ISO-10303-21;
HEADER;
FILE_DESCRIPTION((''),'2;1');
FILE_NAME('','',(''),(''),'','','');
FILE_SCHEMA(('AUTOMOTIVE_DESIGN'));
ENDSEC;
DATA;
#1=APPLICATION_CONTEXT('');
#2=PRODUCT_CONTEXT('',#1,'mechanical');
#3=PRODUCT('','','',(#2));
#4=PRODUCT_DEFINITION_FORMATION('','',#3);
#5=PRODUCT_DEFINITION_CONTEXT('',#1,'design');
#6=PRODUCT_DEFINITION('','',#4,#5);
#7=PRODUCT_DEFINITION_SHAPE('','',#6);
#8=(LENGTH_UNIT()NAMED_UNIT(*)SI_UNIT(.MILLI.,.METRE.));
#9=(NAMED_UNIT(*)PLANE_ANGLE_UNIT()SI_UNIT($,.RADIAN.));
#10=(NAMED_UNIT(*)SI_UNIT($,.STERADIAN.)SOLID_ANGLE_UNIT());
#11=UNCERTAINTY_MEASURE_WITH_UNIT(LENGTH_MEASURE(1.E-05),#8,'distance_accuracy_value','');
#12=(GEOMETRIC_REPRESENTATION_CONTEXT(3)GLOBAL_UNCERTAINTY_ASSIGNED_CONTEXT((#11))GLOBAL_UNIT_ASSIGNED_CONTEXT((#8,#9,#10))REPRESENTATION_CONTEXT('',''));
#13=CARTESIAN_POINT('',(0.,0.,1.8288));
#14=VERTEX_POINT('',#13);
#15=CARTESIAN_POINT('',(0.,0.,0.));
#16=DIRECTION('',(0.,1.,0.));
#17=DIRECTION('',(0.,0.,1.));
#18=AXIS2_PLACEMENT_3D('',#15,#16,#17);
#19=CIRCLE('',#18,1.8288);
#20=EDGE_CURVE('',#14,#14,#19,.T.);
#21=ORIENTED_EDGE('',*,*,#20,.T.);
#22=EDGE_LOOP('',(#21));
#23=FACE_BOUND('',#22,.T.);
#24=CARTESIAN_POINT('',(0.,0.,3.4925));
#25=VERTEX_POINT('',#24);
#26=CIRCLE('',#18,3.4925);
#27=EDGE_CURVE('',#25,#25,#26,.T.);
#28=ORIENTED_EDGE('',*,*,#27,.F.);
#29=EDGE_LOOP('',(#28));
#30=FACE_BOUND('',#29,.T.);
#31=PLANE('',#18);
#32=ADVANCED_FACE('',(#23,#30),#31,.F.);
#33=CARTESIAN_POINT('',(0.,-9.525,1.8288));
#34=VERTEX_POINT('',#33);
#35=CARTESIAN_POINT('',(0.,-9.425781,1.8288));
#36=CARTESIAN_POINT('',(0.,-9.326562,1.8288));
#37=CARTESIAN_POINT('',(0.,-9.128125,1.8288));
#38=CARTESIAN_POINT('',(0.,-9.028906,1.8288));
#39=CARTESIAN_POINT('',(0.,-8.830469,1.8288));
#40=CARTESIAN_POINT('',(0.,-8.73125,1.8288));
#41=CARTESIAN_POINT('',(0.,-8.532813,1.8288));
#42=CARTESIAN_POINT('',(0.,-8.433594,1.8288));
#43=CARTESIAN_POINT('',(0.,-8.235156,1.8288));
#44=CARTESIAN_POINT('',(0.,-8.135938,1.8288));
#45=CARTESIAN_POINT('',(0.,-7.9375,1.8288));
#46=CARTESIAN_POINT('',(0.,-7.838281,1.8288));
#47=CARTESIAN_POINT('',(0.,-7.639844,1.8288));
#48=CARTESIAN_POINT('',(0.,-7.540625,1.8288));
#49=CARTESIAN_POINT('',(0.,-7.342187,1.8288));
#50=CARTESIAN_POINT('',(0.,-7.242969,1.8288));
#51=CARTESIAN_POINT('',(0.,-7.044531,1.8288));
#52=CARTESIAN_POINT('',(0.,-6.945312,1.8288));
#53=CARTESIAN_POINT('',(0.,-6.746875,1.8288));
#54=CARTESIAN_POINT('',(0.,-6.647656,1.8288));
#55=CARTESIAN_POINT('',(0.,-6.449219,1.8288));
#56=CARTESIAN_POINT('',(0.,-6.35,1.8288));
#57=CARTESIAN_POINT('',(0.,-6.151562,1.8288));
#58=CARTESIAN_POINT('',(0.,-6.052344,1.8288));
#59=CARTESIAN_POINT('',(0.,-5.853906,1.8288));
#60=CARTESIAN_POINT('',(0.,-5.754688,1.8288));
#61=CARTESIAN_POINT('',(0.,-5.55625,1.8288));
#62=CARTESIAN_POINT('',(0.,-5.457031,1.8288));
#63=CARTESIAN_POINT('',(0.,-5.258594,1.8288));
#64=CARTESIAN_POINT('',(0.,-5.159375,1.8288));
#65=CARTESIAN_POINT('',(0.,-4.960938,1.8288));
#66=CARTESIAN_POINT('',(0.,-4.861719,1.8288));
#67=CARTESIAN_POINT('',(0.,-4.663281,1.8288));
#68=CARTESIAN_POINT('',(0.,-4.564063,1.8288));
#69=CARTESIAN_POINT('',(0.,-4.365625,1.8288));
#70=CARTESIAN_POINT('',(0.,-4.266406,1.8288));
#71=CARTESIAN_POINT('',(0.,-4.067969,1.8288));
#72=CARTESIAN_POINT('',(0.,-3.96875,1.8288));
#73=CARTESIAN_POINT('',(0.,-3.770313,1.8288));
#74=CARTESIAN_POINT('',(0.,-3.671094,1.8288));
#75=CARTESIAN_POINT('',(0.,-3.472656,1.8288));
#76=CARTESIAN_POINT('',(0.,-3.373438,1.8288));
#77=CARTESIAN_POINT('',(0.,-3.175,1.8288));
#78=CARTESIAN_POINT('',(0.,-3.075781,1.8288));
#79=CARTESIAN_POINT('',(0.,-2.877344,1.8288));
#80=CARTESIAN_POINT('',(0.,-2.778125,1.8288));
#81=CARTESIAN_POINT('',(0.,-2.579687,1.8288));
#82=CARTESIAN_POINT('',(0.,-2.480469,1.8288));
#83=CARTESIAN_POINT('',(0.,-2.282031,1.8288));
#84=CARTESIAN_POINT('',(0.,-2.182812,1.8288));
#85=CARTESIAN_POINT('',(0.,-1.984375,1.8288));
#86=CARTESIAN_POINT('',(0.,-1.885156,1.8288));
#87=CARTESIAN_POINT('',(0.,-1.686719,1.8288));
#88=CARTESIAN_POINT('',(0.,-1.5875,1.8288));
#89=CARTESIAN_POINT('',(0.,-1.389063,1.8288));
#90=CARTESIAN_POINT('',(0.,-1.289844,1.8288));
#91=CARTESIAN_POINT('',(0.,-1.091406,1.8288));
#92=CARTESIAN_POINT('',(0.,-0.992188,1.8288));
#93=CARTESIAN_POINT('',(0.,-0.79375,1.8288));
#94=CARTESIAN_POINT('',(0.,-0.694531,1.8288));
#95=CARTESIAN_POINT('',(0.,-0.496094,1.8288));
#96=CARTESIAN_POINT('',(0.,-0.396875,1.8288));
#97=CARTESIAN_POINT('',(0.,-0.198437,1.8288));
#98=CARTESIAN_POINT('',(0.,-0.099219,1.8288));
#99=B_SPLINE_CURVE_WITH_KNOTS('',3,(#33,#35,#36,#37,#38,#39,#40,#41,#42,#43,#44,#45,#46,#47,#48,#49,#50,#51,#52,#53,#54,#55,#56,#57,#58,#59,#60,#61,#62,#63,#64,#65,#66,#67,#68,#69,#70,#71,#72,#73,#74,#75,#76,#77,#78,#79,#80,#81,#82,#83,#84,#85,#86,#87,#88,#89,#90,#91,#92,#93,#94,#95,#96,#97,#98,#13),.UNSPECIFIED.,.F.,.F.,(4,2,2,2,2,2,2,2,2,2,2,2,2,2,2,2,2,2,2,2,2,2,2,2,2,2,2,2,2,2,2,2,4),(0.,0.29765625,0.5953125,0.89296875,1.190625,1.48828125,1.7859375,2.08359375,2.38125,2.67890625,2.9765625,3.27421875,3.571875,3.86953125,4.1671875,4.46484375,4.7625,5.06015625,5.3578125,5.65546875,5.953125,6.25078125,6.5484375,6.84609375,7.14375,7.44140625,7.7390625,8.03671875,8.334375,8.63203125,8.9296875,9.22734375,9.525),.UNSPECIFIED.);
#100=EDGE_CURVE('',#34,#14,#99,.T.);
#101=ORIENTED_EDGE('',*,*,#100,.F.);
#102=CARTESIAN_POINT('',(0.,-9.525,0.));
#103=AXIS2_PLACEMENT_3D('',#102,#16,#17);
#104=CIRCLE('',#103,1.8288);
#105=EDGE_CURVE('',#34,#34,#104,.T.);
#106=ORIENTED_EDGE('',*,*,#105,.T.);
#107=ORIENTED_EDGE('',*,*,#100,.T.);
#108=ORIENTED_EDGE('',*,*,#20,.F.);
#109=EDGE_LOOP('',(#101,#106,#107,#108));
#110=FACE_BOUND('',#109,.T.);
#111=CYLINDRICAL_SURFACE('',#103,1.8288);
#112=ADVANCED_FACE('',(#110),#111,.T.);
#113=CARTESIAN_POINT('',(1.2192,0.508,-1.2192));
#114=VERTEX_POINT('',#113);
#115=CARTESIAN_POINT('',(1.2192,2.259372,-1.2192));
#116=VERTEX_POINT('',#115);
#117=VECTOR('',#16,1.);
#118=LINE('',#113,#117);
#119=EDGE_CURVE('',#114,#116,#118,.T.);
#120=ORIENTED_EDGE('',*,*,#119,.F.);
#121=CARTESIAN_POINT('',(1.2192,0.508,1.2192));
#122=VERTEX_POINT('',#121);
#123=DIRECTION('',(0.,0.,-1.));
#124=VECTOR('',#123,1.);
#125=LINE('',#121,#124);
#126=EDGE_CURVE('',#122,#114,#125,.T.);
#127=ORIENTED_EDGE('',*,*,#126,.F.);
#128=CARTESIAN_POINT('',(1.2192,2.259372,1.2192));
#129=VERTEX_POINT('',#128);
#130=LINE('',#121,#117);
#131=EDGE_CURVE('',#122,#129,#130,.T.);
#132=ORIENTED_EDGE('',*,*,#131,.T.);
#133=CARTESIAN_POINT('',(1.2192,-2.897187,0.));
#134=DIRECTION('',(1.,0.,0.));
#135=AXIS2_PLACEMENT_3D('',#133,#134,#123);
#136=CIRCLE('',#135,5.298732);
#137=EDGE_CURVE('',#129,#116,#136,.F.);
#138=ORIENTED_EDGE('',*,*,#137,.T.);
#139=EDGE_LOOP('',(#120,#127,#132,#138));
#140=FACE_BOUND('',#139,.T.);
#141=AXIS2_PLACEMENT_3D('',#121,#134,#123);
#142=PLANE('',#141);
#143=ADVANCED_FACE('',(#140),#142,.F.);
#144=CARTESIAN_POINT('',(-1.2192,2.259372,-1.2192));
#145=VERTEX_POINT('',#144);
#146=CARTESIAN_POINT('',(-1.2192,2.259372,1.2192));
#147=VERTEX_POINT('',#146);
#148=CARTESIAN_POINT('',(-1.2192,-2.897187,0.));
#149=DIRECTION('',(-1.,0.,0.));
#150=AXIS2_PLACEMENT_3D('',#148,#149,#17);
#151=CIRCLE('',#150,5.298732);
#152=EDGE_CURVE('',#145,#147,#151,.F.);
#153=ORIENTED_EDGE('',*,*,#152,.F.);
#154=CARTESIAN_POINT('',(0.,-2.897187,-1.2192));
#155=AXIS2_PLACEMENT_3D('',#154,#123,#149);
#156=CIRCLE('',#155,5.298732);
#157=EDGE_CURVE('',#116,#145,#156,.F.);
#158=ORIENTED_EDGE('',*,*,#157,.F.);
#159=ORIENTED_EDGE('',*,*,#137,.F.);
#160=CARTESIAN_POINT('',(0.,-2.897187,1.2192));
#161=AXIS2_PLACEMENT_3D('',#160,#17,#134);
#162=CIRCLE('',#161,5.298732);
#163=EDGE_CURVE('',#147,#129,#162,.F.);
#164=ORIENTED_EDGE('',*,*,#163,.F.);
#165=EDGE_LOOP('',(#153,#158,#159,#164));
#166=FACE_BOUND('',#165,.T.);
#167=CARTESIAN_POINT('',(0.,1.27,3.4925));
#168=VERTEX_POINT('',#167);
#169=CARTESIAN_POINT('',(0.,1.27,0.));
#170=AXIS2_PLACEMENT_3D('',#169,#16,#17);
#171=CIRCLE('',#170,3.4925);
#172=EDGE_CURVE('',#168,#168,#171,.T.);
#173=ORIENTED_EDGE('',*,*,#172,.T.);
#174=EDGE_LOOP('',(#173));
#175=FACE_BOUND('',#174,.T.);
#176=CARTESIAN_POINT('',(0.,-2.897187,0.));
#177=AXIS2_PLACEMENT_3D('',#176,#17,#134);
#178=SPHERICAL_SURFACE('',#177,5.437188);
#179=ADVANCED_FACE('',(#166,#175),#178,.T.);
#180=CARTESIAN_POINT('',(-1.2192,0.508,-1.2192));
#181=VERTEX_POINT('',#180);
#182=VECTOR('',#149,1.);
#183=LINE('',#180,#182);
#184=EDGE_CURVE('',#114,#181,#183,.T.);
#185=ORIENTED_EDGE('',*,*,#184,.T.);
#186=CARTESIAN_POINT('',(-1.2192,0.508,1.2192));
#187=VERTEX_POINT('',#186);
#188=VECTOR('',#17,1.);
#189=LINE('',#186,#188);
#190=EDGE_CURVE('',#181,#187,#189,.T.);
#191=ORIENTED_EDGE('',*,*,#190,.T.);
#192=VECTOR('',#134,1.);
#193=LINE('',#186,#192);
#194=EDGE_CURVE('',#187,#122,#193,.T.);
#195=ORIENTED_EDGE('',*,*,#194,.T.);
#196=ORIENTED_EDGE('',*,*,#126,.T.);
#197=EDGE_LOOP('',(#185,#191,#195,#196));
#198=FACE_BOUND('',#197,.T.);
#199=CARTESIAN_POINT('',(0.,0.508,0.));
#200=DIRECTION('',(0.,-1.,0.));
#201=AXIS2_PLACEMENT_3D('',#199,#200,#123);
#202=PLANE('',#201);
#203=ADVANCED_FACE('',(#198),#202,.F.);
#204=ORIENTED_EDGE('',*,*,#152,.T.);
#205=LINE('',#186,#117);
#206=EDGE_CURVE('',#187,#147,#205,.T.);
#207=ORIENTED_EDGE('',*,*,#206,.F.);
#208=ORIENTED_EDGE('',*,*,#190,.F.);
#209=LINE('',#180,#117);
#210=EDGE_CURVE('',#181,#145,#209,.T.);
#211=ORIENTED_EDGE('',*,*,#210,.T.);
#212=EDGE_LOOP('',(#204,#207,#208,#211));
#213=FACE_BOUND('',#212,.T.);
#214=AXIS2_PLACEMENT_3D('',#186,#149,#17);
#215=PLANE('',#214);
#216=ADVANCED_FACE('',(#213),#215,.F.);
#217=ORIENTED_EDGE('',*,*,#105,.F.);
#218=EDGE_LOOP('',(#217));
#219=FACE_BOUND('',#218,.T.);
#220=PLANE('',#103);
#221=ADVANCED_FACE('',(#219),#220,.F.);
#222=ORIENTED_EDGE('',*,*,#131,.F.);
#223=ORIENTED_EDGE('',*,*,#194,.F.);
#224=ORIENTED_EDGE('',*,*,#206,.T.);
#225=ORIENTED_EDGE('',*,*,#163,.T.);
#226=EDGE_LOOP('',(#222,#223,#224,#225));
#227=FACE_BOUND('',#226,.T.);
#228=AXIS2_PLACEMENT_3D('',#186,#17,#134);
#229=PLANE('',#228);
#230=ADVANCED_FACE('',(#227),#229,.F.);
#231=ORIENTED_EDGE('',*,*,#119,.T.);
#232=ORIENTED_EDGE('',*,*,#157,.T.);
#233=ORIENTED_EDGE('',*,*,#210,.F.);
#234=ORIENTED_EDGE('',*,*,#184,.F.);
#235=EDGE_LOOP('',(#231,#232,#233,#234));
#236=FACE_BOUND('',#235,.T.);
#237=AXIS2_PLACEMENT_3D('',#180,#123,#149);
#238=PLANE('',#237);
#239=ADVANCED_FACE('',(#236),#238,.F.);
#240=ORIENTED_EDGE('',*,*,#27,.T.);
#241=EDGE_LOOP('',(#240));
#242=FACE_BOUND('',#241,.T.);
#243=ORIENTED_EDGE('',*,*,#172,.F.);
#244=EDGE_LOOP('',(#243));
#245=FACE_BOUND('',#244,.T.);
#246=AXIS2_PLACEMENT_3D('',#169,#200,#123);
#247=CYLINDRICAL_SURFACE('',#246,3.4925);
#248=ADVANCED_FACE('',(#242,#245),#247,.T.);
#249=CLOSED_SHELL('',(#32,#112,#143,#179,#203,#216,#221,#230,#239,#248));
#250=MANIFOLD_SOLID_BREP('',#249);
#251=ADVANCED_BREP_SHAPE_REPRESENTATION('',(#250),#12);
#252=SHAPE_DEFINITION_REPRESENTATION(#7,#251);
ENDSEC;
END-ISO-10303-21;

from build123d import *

# Parameters (mm, degrees)
SKETCH1_R           = 1.8288
BOSS_EXTRUDE1_DEPTH = 9.525
SKETCH2_R           = 3.4925
BOSS_EXTRUDE2_DEPTH = 1.27
DOME1_FACE_RADIUS   = 3.4925
DOME1_HEIGHT        = 1.27
SKETCH3_W           = 2.4384
SKETCH3_H           = 2.4384
CUT_EXTRUDE1_DEPTH  = 2.032


with BuildPart() as part:
    # Sketch1 → Boss-Extrude1 (new body)
    with BuildSketch(Plane(origin=(0, 0, 0), x_dir=(1, 0, 0), z_dir=(0, 1, 0))):
        with Locations(Location((0, 0, 0), (0, 0, 270))):
            Circle(SKETCH1_R)
    extrude(amount=-BOSS_EXTRUDE1_DEPTH)

    # Sketch2 → Boss-Extrude2 (add)
    with BuildSketch(Plane(origin=(0, 0, 0), x_dir=(1, 0, 0), z_dir=(0, 1, 0))):
        with Locations(Location((0, 0, 0), (0, 0, 270))):
            Circle(SKETCH2_R)
    extrude(amount=BOSS_EXTRUDE2_DEPTH)

    # Dome1: a dome of height H over a round flat face of radius A is a cap of a sphere of radius (A * A + H * H) / (2 * H)
    dome1_r = (DOME1_FACE_RADIUS * DOME1_FACE_RADIUS + DOME1_HEIGHT * DOME1_HEIGHT) / (2 * DOME1_HEIGHT)
    dome1_base = Plane((0, 1.27, 0), z_dir=(0, 1, 0))
    with Locations(dome1_base.offset(DOME1_HEIGHT - dome1_r)):
        dome1_ball = Sphere(dome1_r, mode=Mode.PRIVATE)
    add(split(dome1_ball, bisect_by=dome1_base, keep=Keep.TOP, mode=Mode.PRIVATE))

    # Sketch3 → Cut-Extrude1 (cut)
    with BuildSketch(Plane(origin=(0, 2.54, 0), x_dir=(1, 0, 0), z_dir=(0, 1, 0))):
        Rectangle(SKETCH3_W, SKETCH3_H)
    extrude(amount=-CUT_EXTRUDE1_DEPTH, mode=Mode.SUBTRACT)


solid = part.part
